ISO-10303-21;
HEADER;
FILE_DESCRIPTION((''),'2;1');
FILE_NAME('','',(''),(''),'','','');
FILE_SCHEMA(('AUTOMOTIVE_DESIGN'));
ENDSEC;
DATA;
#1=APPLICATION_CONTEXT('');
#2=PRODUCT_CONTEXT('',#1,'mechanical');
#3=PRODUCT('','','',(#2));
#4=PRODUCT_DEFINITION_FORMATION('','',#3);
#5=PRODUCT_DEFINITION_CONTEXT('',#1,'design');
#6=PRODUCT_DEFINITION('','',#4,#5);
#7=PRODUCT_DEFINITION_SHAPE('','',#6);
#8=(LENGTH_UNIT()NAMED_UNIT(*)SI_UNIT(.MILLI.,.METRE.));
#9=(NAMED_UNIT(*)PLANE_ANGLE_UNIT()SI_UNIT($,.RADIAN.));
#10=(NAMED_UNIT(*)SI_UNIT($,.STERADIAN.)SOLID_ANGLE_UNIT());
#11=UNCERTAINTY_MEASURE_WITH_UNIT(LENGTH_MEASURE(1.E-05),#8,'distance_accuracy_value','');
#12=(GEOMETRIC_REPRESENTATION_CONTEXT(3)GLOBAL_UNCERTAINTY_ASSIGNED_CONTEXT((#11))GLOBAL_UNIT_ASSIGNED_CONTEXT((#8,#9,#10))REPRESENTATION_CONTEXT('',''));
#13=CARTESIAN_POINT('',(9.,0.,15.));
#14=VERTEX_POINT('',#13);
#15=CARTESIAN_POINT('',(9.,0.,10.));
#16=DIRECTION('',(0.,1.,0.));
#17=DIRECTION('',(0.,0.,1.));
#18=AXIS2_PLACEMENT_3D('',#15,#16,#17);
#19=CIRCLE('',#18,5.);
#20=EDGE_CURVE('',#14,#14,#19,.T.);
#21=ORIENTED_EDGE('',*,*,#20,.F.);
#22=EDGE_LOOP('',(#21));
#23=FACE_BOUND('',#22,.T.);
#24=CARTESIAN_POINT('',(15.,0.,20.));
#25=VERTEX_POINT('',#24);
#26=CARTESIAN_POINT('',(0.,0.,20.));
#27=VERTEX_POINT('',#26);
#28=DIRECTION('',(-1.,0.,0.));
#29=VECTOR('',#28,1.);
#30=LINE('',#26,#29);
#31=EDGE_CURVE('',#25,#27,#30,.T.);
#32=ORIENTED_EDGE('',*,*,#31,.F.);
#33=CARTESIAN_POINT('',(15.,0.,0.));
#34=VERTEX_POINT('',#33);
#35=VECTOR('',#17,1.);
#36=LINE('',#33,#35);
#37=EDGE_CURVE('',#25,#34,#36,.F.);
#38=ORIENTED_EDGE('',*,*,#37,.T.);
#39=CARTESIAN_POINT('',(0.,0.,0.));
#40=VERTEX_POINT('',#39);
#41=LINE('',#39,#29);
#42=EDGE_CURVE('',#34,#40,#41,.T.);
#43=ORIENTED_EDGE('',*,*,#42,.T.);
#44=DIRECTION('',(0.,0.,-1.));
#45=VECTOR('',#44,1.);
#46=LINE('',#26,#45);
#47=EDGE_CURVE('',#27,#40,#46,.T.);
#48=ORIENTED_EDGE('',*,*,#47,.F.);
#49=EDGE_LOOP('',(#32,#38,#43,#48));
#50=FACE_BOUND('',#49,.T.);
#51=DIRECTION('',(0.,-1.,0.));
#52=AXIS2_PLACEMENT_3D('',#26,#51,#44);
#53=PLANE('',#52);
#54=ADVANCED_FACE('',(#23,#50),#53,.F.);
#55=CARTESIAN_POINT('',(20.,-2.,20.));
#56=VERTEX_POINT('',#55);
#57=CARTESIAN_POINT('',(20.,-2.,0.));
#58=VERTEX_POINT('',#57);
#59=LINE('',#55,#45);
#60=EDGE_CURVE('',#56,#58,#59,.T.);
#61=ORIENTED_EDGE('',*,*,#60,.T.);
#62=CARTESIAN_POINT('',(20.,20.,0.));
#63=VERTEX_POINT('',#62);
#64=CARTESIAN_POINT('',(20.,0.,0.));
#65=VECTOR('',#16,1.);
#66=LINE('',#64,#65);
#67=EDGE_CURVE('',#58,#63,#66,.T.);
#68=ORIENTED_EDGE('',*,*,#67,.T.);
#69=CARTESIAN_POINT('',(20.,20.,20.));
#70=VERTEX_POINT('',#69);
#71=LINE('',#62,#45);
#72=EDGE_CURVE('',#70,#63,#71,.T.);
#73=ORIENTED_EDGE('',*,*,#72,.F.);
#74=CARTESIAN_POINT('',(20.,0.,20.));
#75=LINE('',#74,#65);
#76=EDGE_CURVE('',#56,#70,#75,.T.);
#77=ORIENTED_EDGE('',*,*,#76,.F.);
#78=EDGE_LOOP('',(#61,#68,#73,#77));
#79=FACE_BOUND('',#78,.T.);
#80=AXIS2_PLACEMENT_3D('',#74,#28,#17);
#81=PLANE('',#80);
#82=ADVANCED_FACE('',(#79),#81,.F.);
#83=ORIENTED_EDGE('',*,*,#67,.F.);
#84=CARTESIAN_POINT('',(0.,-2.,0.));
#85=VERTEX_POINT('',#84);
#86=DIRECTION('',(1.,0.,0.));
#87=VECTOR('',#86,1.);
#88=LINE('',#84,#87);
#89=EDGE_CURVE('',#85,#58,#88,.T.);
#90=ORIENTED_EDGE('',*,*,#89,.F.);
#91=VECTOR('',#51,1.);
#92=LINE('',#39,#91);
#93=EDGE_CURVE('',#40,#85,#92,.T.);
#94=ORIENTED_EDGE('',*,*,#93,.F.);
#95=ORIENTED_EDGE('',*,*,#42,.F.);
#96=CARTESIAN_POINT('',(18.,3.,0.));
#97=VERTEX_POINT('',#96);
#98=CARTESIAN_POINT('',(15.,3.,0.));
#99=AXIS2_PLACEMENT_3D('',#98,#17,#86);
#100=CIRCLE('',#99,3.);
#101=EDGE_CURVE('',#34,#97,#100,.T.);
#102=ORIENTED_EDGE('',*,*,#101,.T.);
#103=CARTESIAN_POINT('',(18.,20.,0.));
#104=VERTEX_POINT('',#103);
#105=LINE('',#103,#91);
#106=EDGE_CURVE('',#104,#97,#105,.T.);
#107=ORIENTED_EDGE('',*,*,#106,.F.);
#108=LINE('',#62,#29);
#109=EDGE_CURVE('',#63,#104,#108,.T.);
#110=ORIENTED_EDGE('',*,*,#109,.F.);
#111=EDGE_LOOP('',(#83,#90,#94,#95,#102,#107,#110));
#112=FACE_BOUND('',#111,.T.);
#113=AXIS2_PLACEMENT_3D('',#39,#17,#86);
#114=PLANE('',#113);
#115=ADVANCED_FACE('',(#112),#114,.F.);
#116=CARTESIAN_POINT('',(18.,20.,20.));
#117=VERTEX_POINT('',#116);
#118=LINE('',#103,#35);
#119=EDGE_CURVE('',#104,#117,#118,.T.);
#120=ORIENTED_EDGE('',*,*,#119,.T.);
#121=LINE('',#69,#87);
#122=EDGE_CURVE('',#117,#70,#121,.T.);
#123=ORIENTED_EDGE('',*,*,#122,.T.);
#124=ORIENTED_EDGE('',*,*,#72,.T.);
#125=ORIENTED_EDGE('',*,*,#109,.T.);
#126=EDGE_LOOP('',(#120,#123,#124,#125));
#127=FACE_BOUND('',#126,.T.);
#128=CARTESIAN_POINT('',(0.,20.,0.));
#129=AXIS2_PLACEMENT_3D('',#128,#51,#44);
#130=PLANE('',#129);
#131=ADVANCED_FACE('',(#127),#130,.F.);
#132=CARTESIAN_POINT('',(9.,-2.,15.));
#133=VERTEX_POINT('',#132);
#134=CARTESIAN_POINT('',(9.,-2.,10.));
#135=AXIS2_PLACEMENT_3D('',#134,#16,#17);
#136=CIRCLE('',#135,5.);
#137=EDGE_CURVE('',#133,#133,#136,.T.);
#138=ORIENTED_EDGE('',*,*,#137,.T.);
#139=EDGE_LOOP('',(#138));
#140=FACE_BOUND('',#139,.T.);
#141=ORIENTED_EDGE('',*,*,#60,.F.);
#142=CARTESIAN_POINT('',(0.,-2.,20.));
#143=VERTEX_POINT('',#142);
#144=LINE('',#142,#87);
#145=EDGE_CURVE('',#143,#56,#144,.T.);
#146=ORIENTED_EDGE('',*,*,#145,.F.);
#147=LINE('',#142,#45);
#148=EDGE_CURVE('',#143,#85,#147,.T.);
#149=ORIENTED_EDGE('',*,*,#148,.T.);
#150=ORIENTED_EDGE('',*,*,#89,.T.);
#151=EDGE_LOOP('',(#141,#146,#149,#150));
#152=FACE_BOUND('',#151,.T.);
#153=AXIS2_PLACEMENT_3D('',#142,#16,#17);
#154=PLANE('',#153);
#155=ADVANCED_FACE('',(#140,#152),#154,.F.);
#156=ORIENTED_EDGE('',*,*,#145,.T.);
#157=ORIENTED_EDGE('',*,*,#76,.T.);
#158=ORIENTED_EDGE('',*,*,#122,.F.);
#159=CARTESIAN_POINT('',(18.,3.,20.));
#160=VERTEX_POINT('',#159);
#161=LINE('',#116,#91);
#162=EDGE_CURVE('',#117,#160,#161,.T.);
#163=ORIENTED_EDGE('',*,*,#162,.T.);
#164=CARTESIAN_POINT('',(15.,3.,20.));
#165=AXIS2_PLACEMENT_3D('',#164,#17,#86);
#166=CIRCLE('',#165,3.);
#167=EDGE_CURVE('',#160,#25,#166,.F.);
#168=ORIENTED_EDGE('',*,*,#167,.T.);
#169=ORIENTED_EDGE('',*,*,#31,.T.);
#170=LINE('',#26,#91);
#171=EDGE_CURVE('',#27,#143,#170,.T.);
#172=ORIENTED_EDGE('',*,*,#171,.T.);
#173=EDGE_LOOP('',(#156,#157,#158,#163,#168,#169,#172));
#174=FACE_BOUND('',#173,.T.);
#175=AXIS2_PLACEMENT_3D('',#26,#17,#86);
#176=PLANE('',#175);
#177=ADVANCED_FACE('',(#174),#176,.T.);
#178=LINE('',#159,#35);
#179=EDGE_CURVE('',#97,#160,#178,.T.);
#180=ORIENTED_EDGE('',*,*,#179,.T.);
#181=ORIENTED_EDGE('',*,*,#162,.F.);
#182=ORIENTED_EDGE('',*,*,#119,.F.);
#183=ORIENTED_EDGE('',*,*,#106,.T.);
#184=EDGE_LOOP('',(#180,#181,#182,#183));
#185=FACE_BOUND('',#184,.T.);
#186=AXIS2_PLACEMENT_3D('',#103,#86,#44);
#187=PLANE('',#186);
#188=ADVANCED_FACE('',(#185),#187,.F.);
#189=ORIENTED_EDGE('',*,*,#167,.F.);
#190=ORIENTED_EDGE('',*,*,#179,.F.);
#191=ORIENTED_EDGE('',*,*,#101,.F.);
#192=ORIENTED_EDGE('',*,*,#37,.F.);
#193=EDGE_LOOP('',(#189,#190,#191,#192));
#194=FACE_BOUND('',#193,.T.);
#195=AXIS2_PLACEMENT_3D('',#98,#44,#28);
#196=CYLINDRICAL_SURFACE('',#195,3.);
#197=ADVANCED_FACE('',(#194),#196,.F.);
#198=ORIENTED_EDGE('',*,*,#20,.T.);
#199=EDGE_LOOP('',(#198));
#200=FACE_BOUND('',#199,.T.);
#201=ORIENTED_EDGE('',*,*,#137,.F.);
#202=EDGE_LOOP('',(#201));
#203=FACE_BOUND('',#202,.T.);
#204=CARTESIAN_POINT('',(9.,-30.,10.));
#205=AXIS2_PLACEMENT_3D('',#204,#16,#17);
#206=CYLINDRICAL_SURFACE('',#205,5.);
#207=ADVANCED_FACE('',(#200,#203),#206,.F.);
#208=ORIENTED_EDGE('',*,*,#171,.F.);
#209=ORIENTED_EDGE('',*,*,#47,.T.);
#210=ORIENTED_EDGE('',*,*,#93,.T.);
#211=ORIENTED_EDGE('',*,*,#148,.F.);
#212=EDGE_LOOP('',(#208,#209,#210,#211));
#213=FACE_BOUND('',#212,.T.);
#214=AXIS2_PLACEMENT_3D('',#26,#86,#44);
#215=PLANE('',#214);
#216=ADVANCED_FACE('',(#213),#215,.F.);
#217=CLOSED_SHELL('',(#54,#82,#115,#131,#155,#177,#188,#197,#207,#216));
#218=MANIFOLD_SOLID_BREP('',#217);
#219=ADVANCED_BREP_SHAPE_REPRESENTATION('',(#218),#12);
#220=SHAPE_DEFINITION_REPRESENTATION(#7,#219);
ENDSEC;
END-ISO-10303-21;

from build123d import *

# Parameters (mm, degrees)
SKETCH1_W           = 20
SKETCH1_H           = 2
BOSS_EXTRUDE1_DEPTH = 20
SKETCH2_W           = 2
SKETCH2_H           = 20
BOSS_EXTRUDE2_DEPTH = 20
SKETCH3_R           = 5
CUT_EXTRUDE1_DEPTH  = 30
FILLET1_R           = 3


with BuildPart() as part:
    # Sketch1 → Boss-Extrude1 (new body)
    with BuildSketch(Plane.XY):
        with Locations((10, -1)):
            Rectangle(SKETCH1_W, SKETCH1_H)
    extrude(amount=BOSS_EXTRUDE1_DEPTH)

    # Sketch2 → Boss-Extrude2 (add)
    with BuildSketch(Plane(origin=(0, 0, 0), x_dir=(1, 0, 0), z_dir=(0, 1, 0))):
        with Locations((19, -10)):
            Rectangle(SKETCH2_W, SKETCH2_H)
    extrude(amount=BOSS_EXTRUDE2_DEPTH)

    # Sketch3 → Cut-Extrude1 (cut)
    with BuildSketch(Plane(origin=(0, 0, 0), x_dir=(1, 0, 0), z_dir=(0, 1, 0))):
        with Locations(Location((9, -10, 0), (0, 0, 270))):
            Circle(SKETCH3_R)
    extrude(amount=-CUT_EXTRUDE1_DEPTH, mode=Mode.SUBTRACT)

    # Fillet1
    fillet1_edges = [part.edges().sort_by_distance(p)[0] for p in [
        (18, 0, 10),
    ]]
    fillet(fillet1_edges, radius=FILLET1_R)


solid = part.part
